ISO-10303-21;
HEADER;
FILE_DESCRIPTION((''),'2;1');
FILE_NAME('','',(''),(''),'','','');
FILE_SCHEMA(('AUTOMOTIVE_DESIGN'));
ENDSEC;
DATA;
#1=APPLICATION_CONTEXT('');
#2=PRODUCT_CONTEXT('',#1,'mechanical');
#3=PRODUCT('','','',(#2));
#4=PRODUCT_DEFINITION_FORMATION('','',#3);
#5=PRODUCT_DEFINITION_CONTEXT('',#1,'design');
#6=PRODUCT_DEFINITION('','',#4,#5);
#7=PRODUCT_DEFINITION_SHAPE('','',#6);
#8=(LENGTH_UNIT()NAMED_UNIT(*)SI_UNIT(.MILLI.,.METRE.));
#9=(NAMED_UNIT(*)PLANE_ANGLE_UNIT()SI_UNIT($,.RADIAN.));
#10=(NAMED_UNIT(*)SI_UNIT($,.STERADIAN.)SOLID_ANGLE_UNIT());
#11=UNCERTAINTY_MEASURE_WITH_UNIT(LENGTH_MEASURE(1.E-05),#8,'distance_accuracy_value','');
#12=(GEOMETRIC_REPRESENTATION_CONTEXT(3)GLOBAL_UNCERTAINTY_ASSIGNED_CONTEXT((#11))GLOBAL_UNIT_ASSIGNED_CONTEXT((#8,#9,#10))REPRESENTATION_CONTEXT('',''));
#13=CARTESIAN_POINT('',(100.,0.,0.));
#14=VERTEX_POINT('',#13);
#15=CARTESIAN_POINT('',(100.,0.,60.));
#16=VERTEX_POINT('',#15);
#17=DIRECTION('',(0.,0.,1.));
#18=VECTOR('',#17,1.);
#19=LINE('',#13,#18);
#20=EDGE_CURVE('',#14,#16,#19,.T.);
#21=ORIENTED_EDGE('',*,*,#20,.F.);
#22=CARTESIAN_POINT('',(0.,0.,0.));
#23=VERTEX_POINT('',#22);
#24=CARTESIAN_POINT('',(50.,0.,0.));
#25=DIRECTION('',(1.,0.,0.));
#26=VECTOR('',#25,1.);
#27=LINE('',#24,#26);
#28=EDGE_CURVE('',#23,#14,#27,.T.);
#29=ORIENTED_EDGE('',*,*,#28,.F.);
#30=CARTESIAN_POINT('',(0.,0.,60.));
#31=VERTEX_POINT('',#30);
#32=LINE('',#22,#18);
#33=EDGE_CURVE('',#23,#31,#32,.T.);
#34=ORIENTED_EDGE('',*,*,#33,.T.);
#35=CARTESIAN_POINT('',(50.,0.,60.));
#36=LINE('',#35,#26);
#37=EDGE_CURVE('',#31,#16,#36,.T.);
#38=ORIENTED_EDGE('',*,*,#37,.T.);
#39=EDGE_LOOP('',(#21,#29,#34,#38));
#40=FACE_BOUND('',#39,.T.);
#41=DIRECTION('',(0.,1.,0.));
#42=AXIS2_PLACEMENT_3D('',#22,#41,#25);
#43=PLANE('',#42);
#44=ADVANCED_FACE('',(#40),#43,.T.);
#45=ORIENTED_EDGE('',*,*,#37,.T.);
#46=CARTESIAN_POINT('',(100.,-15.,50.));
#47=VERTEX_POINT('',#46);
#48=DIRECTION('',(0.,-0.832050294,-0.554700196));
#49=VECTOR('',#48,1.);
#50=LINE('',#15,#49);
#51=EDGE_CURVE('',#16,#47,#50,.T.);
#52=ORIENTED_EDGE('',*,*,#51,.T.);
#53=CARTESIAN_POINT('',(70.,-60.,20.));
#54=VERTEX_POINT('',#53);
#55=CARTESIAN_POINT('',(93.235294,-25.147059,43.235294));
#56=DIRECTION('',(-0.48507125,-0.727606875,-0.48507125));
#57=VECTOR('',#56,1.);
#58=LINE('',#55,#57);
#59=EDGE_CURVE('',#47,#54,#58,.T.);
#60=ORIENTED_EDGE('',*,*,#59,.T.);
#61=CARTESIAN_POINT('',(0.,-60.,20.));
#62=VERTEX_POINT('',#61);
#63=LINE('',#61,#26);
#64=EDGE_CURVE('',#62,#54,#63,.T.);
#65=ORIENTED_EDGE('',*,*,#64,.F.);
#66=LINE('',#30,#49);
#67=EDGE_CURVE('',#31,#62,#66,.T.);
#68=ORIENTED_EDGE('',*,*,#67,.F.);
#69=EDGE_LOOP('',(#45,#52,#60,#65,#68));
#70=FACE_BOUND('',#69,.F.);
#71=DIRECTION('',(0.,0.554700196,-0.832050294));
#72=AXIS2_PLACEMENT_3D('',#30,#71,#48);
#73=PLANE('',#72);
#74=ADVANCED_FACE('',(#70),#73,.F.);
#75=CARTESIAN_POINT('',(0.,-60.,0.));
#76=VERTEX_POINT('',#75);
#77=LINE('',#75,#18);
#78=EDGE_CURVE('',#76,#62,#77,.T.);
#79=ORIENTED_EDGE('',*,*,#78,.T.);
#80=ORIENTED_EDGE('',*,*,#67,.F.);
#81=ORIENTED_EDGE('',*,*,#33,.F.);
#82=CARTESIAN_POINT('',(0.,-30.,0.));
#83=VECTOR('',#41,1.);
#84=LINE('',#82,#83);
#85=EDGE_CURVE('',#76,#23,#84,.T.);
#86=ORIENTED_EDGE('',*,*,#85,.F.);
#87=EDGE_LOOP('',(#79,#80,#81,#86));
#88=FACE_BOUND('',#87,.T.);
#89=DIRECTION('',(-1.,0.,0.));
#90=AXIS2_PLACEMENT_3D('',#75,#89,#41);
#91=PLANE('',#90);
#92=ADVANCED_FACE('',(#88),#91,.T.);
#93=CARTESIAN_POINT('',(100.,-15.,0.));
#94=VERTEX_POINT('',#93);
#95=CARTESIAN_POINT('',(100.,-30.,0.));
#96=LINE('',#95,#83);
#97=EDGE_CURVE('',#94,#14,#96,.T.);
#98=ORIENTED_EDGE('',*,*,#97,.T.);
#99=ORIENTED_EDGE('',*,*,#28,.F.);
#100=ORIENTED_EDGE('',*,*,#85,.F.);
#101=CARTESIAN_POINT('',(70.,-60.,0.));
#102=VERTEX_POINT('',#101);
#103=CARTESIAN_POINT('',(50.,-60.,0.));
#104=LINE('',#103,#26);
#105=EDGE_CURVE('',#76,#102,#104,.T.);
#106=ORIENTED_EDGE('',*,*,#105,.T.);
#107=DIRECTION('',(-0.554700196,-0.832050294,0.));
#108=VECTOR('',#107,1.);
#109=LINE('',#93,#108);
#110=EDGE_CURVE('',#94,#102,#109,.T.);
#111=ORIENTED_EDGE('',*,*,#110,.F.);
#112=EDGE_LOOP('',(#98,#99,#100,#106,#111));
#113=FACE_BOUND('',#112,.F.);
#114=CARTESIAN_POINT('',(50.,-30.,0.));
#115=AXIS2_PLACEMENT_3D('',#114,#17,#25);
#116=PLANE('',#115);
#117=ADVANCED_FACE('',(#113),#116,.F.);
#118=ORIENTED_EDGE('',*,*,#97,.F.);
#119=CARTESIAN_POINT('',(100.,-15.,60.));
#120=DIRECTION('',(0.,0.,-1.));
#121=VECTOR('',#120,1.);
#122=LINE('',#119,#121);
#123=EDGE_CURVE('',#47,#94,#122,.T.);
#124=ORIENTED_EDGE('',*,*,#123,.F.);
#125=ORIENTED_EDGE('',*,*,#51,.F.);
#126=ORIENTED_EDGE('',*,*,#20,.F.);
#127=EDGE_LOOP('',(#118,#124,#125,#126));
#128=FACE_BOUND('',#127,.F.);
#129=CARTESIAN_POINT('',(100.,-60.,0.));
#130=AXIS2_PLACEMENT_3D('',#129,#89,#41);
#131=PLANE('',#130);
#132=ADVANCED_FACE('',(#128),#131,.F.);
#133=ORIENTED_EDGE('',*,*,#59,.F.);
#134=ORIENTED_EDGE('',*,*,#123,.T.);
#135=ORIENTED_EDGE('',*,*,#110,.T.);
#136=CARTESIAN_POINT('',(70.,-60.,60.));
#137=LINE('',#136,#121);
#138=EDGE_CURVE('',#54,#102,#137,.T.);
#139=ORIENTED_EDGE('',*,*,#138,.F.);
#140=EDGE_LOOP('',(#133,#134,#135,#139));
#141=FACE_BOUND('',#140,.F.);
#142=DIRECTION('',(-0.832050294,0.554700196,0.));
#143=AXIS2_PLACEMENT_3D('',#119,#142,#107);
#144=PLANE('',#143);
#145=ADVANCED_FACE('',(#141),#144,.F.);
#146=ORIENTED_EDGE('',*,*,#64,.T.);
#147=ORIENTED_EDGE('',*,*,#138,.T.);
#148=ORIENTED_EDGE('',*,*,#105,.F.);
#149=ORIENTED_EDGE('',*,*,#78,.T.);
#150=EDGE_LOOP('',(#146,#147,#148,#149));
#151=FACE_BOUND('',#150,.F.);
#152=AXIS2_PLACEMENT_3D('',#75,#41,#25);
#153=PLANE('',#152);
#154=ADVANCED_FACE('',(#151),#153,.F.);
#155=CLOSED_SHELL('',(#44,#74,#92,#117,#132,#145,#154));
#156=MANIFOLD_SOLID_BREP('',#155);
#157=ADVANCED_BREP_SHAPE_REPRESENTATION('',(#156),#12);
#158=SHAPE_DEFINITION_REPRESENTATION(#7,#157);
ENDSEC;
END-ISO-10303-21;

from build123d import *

# Parameters (mm, degrees)
F0_W     = 100
F0_H     = 60
F1_DEPTH = 60
F3_DEPTH = 60
F5_DEPTH = 100


with BuildPart() as f1:
    # F0 (on Top) → F1 (new body)
    with BuildSketch(Plane.XY):
        with Locations((50, -30)):
            Rectangle(F0_W, F0_H)
    extrude(amount=F1_DEPTH)

    # F2 (on face) → F3 (cut, through all)
    with BuildSketch(Plane.XY.offset(60)):
        Polygon((100, -60), (100, -15), (70, -60), align=None)
    extrude(amount=-F3_DEPTH, mode=Mode.SUBTRACT)

    # F4 (on face) → F5 (cut, through all)
    with BuildSketch(Plane(origin=(0, 0, 0), x_dir=(0, -1, 0), z_dir=(-1, 0, 0))):
        Polygon((60, 60), (0, 60), (60, 20), align=None)
    extrude(amount=-F5_DEPTH, mode=Mode.SUBTRACT)


solid = f1.part
